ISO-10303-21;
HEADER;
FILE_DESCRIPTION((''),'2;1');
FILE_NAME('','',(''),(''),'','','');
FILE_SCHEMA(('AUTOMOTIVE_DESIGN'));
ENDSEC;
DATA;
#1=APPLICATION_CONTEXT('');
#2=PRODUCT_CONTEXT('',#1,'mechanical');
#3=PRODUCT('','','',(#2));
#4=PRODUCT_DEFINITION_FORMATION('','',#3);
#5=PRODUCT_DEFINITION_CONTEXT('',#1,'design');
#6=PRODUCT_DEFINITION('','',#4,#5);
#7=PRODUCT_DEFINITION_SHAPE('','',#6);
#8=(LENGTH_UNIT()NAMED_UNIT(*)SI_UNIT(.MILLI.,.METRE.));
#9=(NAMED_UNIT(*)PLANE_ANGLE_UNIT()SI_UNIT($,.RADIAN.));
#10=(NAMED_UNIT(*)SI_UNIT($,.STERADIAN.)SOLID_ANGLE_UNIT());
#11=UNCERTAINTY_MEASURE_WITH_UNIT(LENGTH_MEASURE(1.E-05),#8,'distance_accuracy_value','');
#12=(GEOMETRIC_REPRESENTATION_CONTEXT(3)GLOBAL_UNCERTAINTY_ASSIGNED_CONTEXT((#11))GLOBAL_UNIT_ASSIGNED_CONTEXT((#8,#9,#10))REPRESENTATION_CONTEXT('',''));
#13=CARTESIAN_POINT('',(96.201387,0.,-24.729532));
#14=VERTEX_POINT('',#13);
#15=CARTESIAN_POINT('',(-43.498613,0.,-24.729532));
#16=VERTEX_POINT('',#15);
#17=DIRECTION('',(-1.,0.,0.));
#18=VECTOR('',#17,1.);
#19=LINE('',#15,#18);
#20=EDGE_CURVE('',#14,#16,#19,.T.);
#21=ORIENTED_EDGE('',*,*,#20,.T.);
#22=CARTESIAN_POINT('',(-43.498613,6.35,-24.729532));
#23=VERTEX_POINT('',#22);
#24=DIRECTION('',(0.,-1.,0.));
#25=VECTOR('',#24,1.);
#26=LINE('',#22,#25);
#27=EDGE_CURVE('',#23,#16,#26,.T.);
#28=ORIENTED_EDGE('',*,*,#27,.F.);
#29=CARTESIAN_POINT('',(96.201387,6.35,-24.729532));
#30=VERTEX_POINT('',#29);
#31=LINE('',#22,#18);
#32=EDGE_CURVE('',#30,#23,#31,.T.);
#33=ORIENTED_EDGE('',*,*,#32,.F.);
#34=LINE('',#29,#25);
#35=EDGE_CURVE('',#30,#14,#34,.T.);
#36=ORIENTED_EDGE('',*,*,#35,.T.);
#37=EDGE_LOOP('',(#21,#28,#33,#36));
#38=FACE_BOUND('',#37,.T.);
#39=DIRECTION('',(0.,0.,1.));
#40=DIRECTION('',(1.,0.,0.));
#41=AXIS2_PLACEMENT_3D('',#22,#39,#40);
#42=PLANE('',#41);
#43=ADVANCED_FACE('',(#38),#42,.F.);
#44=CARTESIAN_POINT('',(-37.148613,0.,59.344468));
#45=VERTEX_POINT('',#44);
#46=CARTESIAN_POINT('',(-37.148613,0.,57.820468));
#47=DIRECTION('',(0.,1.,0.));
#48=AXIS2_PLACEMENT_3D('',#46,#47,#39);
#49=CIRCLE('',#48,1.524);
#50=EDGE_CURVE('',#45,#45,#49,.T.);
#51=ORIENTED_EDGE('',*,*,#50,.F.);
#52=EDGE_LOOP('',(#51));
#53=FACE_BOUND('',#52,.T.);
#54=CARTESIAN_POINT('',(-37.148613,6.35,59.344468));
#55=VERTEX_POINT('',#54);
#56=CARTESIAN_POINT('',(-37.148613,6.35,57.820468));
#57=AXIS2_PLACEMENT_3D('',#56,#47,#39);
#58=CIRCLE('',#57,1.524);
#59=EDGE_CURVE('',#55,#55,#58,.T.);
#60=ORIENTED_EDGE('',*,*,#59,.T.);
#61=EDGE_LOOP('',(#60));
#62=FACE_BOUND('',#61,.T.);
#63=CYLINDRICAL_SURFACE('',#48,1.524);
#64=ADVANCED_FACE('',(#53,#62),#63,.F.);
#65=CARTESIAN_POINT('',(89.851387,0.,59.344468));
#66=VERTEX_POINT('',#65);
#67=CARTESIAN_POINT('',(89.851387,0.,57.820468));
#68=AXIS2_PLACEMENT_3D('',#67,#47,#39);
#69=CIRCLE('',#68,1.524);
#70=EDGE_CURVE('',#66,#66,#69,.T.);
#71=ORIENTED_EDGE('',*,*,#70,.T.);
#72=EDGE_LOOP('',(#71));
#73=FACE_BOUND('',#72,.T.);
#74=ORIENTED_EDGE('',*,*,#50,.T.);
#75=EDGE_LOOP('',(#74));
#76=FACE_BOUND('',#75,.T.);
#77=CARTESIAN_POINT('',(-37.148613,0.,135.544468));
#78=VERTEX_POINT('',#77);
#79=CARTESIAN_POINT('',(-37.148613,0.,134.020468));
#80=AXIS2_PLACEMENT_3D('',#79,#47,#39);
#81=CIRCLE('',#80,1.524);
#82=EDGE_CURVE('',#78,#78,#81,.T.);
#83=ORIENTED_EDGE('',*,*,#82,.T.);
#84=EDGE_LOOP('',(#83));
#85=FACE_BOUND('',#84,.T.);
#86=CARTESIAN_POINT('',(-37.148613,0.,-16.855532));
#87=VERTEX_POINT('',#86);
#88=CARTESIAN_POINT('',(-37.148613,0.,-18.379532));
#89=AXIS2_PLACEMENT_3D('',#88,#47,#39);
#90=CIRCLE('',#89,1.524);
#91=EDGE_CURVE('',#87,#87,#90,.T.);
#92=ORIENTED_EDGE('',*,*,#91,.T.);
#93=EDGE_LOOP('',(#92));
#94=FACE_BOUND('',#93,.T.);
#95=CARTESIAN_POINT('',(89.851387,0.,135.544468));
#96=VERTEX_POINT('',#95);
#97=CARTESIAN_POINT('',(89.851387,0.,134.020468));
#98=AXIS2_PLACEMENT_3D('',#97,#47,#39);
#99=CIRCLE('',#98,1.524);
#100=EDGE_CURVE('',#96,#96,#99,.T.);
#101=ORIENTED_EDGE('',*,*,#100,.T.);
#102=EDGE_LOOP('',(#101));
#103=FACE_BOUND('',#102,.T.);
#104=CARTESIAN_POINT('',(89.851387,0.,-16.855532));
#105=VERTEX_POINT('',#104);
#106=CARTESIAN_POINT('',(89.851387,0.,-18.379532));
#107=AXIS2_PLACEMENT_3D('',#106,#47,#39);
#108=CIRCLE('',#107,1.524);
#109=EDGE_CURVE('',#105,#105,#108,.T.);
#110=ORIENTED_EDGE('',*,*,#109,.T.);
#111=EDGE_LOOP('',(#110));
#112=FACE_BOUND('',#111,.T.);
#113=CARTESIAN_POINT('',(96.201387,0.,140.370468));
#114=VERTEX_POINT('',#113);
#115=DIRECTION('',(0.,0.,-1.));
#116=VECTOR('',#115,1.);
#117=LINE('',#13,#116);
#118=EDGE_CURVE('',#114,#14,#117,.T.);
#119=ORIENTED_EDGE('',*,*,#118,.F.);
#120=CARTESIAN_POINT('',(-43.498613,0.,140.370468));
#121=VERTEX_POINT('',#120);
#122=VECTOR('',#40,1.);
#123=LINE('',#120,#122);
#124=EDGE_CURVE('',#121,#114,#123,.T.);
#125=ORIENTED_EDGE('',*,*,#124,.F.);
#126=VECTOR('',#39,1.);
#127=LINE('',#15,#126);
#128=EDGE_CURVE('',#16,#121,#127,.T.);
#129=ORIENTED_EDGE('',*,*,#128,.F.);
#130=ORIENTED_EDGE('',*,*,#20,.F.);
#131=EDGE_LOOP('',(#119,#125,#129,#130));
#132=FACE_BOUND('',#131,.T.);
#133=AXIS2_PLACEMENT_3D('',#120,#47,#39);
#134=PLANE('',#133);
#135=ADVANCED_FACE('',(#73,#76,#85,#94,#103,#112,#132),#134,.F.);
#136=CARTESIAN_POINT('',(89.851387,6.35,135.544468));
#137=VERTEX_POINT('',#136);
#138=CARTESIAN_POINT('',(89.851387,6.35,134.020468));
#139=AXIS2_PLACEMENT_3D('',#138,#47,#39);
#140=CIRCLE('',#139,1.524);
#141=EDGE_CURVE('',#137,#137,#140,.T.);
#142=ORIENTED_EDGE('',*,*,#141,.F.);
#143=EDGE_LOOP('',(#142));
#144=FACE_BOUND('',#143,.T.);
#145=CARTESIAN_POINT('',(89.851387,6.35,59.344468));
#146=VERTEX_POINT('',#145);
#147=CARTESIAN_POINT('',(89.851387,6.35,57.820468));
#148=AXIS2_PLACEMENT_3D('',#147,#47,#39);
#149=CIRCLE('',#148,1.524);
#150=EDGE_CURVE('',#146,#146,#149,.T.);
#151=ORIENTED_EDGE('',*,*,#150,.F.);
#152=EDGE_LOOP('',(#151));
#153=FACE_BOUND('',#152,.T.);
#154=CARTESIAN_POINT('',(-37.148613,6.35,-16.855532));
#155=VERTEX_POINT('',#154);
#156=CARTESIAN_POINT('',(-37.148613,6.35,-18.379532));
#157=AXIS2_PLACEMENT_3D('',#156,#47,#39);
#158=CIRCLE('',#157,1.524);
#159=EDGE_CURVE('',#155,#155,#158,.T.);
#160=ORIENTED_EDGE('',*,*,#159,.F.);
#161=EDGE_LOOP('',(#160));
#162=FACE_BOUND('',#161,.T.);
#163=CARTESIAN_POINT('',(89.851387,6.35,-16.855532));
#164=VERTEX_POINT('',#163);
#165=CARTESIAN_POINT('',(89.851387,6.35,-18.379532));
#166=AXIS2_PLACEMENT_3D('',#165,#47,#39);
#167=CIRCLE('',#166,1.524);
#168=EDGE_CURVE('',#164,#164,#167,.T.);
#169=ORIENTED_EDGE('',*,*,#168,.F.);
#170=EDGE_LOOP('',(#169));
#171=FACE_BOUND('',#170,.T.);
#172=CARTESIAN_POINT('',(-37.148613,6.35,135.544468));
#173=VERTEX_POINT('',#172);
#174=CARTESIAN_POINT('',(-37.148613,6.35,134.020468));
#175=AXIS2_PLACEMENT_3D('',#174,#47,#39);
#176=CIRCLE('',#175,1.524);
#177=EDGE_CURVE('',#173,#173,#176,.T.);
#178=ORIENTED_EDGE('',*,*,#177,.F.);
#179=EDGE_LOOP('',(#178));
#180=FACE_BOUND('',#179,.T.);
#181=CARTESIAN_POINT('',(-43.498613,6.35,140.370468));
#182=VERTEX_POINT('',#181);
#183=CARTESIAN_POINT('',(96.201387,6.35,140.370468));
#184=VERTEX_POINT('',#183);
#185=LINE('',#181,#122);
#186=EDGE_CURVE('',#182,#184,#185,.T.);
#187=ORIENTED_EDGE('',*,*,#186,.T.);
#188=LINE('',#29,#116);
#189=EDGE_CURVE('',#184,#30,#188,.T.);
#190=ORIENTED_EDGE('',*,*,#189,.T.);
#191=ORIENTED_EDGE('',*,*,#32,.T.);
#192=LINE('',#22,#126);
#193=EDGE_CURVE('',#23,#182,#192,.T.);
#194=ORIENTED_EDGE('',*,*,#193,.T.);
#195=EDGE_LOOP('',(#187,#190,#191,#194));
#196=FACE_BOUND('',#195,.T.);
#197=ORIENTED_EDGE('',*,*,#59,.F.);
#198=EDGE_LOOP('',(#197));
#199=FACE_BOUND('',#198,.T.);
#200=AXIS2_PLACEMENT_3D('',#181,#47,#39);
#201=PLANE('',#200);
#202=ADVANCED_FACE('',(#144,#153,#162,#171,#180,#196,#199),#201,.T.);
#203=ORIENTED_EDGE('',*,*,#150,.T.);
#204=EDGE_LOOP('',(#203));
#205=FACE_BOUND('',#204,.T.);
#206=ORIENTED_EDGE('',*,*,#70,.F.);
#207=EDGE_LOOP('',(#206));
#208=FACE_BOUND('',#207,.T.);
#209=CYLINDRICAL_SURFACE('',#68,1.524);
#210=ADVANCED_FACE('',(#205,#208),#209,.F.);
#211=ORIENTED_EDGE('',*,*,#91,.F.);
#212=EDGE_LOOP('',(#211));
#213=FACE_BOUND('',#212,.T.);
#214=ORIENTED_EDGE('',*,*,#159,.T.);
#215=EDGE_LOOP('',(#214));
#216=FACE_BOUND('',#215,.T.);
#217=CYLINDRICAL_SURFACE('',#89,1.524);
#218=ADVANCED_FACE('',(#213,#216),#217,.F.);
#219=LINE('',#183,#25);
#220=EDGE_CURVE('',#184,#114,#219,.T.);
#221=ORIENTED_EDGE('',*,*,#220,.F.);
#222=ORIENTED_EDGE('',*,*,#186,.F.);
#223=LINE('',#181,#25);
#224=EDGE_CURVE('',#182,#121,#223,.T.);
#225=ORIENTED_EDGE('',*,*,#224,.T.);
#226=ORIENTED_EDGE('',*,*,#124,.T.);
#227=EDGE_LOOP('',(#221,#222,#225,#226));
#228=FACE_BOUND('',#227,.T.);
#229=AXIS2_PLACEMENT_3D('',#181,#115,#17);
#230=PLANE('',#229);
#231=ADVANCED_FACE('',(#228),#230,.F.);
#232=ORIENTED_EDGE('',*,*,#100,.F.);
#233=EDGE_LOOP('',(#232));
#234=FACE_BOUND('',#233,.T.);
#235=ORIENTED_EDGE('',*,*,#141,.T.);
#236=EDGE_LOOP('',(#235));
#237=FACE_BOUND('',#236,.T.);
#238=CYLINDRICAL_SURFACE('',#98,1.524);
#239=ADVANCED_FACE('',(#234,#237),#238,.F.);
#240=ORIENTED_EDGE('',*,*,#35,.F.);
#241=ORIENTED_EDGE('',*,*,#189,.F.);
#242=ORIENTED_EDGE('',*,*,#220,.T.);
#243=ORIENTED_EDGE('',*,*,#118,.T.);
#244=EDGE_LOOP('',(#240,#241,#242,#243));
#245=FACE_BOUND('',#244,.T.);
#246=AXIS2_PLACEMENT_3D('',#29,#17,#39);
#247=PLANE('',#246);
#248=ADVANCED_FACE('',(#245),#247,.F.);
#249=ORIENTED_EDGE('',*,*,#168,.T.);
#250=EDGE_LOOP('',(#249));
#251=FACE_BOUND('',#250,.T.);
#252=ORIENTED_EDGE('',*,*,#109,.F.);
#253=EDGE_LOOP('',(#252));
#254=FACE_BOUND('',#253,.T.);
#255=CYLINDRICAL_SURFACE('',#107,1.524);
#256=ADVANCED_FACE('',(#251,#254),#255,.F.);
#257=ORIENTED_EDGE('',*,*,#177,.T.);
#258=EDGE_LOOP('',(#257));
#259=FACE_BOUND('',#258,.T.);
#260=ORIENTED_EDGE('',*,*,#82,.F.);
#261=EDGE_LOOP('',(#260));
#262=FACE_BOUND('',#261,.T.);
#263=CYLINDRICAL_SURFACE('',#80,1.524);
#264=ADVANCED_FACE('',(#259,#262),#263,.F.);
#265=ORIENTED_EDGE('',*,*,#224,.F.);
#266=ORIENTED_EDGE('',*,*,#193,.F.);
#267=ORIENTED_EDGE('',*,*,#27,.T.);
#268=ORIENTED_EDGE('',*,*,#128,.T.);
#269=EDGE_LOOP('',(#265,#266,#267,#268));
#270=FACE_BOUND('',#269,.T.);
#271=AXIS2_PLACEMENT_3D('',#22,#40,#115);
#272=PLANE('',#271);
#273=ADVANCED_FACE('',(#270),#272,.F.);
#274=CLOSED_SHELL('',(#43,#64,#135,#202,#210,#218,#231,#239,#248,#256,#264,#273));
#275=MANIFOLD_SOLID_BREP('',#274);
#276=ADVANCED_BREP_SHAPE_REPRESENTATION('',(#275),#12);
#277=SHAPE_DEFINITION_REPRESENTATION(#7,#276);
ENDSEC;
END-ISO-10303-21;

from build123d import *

# Parameters (mm, degrees)
SKETCH1_W          = 139.7
SKETCH1_H          = 165.1
EXTRUDE1_DEPTH     = 6.35
SKETCH2_R          = 1.524
CUT_EXTRUDE1_DEPTH = 7.35


with BuildPart() as part:
    # Sketch1 → Extrude1 (new body)
    with BuildSketch(Plane(origin=(0, 0, 0), x_dir=(1, 0, 0), z_dir=(0, 1, 0))):
        with Locations((26.351386865, -57.820467751)):
            Rectangle(SKETCH1_W, SKETCH1_H)
    extrude(amount=EXTRUDE1_DEPTH)

    # Sketch2 → Cut-Extrude1 (cut, through all)
    with BuildSketch(Plane(origin=(0, 6.35, 0), x_dir=(1, 0, 0), z_dir=(0, 1, 0))):
        with Locations(Location((-37.148613135, 18.379532249, 0), (0, 0, 270))):  # turned: the seam where the file's is
            Circle(SKETCH2_R)
        with Locations(Location((-37.148613135, -57.820467751, 0), (0, 0, 270))):  # turned: the seam where the file's is
            Circle(SKETCH2_R)
        with Locations(Location((89.851386865, 18.379532249, 0), (0, 0, 270))):  # turned: the seam where the file's is
            Circle(SKETCH2_R)
        with Locations(Location((89.851386865, -134.020467751, 0), (0, 0, 270))):  # turned: the seam where the file's is
            Circle(SKETCH2_R)
        with Locations(Location((89.851386865, -57.820467751, 0), (0, 0, 270))):  # turned: the seam where the file's is
            Circle(SKETCH2_R)
        with Locations(Location((-37.148613135, -134.020467751, 0), (0, 0, 270))):  # turned: the seam where the file's is
            Circle(SKETCH2_R)
    extrude(amount=-CUT_EXTRUDE1_DEPTH, mode=Mode.SUBTRACT)


solid = part.part
